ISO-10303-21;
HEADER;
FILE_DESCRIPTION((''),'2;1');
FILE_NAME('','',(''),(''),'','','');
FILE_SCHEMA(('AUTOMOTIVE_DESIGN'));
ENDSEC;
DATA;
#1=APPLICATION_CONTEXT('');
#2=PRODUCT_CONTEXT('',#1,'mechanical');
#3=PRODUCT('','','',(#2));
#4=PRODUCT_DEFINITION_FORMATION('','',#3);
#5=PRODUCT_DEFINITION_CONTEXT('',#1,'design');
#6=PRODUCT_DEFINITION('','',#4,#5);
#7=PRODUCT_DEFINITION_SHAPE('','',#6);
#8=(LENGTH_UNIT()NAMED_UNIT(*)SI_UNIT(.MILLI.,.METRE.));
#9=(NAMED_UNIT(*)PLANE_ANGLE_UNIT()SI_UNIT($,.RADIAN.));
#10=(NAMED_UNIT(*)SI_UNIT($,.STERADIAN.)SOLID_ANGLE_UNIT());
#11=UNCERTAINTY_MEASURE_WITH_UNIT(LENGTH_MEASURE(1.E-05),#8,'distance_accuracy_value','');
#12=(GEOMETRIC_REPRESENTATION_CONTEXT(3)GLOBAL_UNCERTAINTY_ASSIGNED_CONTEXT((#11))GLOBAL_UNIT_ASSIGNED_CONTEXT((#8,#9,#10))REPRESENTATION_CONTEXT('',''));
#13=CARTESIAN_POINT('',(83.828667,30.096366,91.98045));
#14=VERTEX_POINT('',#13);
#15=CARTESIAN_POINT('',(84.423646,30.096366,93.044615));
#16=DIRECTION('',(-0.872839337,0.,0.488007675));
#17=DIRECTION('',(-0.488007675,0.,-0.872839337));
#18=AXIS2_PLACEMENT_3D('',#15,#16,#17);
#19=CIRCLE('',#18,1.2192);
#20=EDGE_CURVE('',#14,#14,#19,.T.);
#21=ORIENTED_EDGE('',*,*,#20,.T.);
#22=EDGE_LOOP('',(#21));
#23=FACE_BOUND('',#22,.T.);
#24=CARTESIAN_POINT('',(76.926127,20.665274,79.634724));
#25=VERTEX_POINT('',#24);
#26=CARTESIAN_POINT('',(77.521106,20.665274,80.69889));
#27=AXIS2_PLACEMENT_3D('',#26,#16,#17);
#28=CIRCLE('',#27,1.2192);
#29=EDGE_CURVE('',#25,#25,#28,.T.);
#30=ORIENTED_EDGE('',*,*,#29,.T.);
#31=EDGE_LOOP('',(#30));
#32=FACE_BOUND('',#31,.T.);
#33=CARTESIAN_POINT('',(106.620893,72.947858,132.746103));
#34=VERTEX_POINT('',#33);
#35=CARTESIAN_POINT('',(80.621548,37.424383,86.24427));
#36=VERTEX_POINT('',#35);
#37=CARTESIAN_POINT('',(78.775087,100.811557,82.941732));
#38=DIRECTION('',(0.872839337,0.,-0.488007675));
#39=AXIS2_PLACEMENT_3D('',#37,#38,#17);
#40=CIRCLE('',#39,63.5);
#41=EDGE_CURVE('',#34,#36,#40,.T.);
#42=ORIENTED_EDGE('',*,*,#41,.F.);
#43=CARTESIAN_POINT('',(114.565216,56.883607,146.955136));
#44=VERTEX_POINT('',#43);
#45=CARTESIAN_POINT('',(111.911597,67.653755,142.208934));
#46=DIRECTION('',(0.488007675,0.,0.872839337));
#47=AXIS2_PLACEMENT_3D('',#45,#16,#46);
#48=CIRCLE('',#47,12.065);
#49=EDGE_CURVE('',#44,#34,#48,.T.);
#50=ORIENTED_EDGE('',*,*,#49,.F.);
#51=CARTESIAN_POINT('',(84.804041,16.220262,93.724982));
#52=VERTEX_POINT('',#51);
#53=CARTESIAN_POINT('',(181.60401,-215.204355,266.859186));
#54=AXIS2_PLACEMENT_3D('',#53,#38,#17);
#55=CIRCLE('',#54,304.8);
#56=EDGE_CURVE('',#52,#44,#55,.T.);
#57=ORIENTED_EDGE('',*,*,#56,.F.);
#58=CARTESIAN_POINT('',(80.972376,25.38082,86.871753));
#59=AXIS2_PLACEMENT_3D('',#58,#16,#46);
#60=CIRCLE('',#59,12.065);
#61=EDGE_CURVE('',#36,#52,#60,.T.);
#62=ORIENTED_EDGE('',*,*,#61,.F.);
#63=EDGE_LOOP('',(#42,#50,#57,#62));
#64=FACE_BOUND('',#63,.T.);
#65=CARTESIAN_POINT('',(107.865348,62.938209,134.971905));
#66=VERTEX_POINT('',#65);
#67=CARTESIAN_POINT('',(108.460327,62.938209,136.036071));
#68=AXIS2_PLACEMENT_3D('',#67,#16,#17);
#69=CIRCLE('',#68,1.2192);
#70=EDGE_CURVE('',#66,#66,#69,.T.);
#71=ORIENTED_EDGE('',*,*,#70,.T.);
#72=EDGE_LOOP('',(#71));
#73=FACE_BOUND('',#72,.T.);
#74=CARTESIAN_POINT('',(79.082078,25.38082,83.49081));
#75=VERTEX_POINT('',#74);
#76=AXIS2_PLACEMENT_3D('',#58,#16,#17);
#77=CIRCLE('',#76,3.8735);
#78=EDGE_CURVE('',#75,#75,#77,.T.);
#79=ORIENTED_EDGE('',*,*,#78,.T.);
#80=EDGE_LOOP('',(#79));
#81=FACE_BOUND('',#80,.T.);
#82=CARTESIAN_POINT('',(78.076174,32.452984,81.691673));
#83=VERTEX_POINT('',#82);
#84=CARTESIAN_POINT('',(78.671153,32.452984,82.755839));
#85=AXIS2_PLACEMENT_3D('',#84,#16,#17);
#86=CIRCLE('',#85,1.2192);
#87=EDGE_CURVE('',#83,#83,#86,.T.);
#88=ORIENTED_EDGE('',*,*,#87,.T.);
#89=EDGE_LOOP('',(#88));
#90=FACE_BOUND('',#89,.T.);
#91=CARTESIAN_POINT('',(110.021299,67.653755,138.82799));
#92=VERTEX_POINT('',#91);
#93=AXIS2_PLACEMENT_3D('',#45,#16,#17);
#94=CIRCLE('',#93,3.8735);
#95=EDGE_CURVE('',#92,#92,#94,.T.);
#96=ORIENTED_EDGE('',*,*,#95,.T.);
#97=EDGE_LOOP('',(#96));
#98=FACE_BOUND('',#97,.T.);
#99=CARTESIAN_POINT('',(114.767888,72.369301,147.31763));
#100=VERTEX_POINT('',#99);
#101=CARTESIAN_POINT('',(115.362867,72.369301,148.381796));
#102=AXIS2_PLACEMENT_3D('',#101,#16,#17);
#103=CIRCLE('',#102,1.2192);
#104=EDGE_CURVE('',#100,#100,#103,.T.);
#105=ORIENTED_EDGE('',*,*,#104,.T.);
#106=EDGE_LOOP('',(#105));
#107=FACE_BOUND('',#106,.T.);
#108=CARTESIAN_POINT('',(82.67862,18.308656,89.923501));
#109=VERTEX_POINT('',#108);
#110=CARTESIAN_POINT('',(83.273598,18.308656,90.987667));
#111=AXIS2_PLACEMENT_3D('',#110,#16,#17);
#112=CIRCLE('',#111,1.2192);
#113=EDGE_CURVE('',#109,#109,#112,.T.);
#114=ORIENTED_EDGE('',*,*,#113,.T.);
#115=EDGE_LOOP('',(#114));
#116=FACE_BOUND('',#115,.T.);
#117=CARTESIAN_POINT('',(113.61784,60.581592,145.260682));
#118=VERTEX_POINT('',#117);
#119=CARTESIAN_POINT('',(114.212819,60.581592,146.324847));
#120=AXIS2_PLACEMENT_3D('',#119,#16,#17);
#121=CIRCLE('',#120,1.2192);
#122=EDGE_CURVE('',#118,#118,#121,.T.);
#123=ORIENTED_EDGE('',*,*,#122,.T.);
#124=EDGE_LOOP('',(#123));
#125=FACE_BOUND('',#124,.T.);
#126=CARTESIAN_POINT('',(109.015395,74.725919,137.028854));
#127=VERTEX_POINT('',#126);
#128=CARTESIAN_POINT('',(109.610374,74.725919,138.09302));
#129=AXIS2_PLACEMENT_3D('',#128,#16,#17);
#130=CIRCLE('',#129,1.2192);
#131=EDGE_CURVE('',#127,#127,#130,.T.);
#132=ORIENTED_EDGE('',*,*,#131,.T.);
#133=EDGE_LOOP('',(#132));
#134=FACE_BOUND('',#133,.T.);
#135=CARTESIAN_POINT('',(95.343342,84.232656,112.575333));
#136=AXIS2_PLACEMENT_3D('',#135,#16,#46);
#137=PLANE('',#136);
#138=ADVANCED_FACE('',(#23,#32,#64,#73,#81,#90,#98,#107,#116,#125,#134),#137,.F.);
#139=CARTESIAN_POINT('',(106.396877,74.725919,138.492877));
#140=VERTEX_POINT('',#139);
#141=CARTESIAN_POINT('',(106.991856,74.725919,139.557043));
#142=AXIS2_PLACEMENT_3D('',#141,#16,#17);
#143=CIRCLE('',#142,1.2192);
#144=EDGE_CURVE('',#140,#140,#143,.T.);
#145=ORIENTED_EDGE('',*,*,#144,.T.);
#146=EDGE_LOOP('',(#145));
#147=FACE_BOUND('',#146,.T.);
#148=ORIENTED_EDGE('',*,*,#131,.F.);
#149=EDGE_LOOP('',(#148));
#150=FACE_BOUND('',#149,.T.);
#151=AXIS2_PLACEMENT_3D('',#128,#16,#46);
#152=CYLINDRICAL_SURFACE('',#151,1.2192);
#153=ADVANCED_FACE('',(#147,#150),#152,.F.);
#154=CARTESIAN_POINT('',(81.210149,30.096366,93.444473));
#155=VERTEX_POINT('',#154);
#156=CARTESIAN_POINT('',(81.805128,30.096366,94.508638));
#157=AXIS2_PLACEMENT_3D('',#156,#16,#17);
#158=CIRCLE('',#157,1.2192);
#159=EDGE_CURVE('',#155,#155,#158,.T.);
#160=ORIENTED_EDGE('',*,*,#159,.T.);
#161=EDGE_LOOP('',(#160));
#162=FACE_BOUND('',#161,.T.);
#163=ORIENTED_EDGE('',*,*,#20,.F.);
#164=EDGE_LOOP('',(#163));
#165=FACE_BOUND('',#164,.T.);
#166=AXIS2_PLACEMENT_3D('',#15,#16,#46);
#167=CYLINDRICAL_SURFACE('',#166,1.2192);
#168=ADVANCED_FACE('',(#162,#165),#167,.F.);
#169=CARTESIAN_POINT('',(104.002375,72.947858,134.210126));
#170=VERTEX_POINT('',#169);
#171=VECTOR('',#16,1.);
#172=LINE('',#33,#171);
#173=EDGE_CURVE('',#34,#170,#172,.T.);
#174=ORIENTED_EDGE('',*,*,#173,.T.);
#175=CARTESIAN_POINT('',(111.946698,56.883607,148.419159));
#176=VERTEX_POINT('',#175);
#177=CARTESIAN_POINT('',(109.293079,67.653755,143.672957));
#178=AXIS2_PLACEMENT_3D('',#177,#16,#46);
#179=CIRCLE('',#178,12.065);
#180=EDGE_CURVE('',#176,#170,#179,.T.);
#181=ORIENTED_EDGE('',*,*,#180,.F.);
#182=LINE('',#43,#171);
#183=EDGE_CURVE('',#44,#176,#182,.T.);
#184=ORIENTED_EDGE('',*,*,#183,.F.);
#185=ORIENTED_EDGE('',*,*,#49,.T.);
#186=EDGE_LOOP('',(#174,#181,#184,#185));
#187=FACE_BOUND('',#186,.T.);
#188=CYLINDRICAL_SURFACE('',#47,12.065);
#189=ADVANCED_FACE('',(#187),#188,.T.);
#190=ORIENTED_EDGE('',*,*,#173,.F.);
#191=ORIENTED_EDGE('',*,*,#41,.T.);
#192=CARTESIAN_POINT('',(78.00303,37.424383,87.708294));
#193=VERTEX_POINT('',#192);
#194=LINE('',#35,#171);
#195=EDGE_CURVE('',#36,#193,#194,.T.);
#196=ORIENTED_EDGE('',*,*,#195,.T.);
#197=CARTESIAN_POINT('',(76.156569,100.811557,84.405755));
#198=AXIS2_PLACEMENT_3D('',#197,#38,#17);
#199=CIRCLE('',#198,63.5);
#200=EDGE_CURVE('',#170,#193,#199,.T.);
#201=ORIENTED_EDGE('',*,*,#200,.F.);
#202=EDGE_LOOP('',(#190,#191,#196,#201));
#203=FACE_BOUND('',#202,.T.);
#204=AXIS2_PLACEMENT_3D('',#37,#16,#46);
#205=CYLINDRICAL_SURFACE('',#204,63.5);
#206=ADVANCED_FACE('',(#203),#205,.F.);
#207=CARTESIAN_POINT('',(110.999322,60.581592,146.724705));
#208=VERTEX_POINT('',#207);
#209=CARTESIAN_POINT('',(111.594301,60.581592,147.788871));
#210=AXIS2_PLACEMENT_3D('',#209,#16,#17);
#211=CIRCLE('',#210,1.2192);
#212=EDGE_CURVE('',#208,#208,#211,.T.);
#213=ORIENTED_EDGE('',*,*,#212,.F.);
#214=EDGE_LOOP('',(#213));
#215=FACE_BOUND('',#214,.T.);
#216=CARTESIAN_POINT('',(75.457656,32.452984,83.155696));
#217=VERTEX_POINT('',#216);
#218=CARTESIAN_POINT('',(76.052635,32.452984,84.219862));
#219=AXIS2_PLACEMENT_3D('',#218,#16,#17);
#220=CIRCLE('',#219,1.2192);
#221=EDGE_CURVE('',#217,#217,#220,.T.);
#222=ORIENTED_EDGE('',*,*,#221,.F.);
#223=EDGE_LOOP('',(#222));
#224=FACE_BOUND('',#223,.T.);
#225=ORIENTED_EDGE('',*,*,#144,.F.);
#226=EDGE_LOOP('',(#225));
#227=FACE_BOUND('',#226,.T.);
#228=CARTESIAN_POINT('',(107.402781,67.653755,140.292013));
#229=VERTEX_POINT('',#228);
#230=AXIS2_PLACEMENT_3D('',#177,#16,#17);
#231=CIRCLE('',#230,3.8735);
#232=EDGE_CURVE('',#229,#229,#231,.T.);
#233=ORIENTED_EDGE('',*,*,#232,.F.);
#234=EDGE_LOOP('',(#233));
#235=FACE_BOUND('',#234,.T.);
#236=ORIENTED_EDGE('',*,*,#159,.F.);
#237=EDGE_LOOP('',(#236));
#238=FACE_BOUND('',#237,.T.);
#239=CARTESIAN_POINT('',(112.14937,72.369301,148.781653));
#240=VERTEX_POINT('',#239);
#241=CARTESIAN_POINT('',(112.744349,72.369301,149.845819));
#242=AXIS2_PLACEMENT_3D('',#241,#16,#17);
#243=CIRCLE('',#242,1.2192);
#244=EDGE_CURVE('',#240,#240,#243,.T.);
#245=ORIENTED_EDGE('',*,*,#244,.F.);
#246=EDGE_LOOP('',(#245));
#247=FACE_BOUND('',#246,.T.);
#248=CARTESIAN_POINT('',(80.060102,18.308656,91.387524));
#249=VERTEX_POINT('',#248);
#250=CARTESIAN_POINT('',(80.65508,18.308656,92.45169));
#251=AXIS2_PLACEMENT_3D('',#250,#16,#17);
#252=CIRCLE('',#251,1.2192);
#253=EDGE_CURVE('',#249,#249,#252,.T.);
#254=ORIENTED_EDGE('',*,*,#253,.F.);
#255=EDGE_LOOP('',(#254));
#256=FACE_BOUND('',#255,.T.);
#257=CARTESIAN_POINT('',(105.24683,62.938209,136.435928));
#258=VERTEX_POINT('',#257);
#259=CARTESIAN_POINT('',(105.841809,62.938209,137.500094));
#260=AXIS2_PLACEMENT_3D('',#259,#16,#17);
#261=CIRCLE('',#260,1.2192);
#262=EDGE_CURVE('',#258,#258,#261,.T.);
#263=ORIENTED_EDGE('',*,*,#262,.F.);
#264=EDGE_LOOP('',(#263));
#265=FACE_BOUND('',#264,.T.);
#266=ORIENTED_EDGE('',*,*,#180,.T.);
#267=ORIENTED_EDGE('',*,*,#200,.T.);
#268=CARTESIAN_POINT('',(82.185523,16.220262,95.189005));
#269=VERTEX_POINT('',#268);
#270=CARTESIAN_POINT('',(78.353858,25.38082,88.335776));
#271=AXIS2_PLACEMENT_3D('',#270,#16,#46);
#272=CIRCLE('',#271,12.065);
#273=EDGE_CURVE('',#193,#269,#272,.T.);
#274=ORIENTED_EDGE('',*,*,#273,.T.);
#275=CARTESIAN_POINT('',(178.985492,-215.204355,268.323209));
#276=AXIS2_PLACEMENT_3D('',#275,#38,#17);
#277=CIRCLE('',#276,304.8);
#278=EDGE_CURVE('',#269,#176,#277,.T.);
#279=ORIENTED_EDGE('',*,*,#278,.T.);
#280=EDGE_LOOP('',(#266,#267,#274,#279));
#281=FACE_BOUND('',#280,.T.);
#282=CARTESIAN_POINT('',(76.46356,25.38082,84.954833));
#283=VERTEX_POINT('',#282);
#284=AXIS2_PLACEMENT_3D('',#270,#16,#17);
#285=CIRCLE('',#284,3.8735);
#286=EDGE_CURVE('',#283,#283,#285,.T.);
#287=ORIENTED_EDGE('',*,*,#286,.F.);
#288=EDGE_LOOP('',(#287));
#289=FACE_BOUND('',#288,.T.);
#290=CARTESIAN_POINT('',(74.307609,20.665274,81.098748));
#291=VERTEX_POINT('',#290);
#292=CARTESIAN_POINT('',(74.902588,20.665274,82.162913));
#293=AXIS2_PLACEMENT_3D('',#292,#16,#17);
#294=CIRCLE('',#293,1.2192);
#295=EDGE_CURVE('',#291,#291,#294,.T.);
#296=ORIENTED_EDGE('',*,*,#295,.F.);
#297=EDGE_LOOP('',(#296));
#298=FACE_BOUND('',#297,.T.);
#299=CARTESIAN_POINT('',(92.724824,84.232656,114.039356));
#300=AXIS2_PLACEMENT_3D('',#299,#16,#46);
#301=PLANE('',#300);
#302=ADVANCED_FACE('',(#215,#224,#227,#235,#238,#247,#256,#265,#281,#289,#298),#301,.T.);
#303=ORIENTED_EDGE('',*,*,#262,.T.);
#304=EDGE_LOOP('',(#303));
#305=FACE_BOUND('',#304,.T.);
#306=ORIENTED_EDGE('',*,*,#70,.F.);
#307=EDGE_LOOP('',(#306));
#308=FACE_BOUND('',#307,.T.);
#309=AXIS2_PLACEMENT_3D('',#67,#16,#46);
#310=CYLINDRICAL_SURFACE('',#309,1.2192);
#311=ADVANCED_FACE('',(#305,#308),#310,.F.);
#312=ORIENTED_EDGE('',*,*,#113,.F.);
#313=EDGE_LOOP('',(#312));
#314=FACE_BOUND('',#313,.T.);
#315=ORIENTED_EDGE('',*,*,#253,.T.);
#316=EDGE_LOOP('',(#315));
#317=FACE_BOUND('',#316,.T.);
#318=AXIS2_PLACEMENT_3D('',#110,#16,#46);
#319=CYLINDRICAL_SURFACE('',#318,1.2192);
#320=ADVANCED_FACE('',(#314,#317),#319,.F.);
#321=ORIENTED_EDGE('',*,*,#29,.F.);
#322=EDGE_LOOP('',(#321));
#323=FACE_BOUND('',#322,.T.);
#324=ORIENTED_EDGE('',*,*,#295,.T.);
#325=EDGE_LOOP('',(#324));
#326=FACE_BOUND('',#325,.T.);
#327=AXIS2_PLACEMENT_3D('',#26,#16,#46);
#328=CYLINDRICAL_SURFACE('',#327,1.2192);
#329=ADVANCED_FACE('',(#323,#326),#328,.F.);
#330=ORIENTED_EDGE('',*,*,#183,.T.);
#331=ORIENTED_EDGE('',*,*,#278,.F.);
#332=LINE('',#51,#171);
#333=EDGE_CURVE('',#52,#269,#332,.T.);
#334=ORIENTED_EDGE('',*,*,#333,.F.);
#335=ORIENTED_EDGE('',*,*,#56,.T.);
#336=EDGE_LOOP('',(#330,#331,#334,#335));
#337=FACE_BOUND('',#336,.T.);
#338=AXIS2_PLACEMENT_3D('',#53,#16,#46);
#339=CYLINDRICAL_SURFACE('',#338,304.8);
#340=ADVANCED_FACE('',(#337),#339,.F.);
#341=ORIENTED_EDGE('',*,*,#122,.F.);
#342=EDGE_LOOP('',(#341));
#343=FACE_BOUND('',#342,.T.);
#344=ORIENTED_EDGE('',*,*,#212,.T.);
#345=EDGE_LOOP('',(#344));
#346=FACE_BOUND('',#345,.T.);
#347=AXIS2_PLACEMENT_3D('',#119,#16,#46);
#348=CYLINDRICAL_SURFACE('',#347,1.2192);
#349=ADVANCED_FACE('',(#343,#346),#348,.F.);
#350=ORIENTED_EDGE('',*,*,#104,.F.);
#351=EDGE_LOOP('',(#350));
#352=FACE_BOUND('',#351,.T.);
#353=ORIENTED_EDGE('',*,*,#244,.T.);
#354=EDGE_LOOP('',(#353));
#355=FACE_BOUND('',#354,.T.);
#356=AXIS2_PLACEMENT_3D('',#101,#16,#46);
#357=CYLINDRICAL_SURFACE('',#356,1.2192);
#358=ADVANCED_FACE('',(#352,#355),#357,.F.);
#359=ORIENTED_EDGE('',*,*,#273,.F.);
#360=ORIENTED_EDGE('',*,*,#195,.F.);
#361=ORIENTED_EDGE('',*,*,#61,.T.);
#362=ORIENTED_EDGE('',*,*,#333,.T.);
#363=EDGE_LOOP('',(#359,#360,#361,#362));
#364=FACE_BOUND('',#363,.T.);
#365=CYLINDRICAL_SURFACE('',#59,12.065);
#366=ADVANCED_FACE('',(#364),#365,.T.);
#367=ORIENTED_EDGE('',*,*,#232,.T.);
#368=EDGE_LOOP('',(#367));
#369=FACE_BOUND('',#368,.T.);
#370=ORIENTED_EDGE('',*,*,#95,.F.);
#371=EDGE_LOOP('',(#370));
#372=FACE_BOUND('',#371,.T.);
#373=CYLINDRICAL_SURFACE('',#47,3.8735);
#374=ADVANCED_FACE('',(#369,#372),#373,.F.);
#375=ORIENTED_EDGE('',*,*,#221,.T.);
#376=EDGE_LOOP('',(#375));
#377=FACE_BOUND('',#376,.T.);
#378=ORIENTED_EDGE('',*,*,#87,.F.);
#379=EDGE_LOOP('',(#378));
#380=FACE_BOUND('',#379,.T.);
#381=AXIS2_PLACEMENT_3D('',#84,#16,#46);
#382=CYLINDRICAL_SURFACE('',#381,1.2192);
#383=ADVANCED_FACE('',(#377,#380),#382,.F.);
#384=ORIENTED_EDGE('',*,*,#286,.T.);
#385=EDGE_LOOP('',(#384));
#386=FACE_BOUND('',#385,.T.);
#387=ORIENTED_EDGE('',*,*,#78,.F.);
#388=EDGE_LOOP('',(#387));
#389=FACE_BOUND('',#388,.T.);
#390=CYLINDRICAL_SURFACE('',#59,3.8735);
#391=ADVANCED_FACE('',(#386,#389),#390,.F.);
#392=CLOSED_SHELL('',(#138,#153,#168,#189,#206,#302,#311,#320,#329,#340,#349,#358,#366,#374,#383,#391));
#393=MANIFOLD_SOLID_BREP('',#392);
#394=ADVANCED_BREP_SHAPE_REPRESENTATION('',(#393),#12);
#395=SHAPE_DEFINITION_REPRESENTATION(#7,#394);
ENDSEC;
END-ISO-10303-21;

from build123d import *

# Parameters (mm, degrees)
SKETCH1_R           = 1.2192
SKETCH1_R_2         = 3.8735
BOSS_EXTRUDE1_DEPTH = 3


with BuildPart() as part:
    # Sketch1 → Boss-Extrude1 (new body)
    with BuildSketch(Plane(origin=(22.066943297, 0, -12.337708943), x_dir=(0, -1, 0), z_dir=(-0.872839337, 0, 0.488007675))):
        with BuildLine():
            ThreePointArc((-72.947857894, 167.897835008), (-47.979019161, 146.065099757), (-37.424383054, 114.621326243))
            ThreePointArc((-37.424383054, 114.621326243), (-20.859592098, 104.154397101), (-16.22026224, 123.191873917))
            ThreePointArc((-16.22026224, 123.191873917), (-38.39182686, 152.45760543), (-56.883606586, 184.176927637))
            ThreePointArc((-56.883606586, 184.176927637), (-76.241477877, 187.213656824), (-72.947857894, 167.897835008))
        make_face()
        with Locations((-32.452983518, 110.624678087)):
            Circle(SKETCH1_R, mode=Mode.SUBTRACT)
        with Locations((-20.665274094, 108.268060476)):
            Circle(SKETCH1_R, mode=Mode.SUBTRACT)
        with Locations((-18.308656482, 120.055769899)):
            Circle(SKETCH1_R, mode=Mode.SUBTRACT)
        with Locations((-30.096365906, 122.412387511)):
            Circle(SKETCH1_R, mode=Mode.SUBTRACT)
        with Locations((-62.938209154, 171.667105905)):
            Circle(SKETCH1_R, mode=Mode.SUBTRACT)
        with Locations((-60.581591542, 183.454815329)):
            Circle(SKETCH1_R, mode=Mode.SUBTRACT)
        with Locations((-72.369300966, 185.811432941)):
            Circle(SKETCH1_R, mode=Mode.SUBTRACT)
        with Locations((-74.725918578, 174.023723517)):
            Circle(SKETCH1_R, mode=Mode.SUBTRACT)
        with Locations((-67.65375506, 178.739269423)):
            Circle(SKETCH1_R_2, mode=Mode.SUBTRACT)
        with Locations((-25.38082, 115.340223993)):
            Circle(SKETCH1_R_2, mode=Mode.SUBTRACT)
    extrude(amount=-BOSS_EXTRUDE1_DEPTH)


solid = part.part
